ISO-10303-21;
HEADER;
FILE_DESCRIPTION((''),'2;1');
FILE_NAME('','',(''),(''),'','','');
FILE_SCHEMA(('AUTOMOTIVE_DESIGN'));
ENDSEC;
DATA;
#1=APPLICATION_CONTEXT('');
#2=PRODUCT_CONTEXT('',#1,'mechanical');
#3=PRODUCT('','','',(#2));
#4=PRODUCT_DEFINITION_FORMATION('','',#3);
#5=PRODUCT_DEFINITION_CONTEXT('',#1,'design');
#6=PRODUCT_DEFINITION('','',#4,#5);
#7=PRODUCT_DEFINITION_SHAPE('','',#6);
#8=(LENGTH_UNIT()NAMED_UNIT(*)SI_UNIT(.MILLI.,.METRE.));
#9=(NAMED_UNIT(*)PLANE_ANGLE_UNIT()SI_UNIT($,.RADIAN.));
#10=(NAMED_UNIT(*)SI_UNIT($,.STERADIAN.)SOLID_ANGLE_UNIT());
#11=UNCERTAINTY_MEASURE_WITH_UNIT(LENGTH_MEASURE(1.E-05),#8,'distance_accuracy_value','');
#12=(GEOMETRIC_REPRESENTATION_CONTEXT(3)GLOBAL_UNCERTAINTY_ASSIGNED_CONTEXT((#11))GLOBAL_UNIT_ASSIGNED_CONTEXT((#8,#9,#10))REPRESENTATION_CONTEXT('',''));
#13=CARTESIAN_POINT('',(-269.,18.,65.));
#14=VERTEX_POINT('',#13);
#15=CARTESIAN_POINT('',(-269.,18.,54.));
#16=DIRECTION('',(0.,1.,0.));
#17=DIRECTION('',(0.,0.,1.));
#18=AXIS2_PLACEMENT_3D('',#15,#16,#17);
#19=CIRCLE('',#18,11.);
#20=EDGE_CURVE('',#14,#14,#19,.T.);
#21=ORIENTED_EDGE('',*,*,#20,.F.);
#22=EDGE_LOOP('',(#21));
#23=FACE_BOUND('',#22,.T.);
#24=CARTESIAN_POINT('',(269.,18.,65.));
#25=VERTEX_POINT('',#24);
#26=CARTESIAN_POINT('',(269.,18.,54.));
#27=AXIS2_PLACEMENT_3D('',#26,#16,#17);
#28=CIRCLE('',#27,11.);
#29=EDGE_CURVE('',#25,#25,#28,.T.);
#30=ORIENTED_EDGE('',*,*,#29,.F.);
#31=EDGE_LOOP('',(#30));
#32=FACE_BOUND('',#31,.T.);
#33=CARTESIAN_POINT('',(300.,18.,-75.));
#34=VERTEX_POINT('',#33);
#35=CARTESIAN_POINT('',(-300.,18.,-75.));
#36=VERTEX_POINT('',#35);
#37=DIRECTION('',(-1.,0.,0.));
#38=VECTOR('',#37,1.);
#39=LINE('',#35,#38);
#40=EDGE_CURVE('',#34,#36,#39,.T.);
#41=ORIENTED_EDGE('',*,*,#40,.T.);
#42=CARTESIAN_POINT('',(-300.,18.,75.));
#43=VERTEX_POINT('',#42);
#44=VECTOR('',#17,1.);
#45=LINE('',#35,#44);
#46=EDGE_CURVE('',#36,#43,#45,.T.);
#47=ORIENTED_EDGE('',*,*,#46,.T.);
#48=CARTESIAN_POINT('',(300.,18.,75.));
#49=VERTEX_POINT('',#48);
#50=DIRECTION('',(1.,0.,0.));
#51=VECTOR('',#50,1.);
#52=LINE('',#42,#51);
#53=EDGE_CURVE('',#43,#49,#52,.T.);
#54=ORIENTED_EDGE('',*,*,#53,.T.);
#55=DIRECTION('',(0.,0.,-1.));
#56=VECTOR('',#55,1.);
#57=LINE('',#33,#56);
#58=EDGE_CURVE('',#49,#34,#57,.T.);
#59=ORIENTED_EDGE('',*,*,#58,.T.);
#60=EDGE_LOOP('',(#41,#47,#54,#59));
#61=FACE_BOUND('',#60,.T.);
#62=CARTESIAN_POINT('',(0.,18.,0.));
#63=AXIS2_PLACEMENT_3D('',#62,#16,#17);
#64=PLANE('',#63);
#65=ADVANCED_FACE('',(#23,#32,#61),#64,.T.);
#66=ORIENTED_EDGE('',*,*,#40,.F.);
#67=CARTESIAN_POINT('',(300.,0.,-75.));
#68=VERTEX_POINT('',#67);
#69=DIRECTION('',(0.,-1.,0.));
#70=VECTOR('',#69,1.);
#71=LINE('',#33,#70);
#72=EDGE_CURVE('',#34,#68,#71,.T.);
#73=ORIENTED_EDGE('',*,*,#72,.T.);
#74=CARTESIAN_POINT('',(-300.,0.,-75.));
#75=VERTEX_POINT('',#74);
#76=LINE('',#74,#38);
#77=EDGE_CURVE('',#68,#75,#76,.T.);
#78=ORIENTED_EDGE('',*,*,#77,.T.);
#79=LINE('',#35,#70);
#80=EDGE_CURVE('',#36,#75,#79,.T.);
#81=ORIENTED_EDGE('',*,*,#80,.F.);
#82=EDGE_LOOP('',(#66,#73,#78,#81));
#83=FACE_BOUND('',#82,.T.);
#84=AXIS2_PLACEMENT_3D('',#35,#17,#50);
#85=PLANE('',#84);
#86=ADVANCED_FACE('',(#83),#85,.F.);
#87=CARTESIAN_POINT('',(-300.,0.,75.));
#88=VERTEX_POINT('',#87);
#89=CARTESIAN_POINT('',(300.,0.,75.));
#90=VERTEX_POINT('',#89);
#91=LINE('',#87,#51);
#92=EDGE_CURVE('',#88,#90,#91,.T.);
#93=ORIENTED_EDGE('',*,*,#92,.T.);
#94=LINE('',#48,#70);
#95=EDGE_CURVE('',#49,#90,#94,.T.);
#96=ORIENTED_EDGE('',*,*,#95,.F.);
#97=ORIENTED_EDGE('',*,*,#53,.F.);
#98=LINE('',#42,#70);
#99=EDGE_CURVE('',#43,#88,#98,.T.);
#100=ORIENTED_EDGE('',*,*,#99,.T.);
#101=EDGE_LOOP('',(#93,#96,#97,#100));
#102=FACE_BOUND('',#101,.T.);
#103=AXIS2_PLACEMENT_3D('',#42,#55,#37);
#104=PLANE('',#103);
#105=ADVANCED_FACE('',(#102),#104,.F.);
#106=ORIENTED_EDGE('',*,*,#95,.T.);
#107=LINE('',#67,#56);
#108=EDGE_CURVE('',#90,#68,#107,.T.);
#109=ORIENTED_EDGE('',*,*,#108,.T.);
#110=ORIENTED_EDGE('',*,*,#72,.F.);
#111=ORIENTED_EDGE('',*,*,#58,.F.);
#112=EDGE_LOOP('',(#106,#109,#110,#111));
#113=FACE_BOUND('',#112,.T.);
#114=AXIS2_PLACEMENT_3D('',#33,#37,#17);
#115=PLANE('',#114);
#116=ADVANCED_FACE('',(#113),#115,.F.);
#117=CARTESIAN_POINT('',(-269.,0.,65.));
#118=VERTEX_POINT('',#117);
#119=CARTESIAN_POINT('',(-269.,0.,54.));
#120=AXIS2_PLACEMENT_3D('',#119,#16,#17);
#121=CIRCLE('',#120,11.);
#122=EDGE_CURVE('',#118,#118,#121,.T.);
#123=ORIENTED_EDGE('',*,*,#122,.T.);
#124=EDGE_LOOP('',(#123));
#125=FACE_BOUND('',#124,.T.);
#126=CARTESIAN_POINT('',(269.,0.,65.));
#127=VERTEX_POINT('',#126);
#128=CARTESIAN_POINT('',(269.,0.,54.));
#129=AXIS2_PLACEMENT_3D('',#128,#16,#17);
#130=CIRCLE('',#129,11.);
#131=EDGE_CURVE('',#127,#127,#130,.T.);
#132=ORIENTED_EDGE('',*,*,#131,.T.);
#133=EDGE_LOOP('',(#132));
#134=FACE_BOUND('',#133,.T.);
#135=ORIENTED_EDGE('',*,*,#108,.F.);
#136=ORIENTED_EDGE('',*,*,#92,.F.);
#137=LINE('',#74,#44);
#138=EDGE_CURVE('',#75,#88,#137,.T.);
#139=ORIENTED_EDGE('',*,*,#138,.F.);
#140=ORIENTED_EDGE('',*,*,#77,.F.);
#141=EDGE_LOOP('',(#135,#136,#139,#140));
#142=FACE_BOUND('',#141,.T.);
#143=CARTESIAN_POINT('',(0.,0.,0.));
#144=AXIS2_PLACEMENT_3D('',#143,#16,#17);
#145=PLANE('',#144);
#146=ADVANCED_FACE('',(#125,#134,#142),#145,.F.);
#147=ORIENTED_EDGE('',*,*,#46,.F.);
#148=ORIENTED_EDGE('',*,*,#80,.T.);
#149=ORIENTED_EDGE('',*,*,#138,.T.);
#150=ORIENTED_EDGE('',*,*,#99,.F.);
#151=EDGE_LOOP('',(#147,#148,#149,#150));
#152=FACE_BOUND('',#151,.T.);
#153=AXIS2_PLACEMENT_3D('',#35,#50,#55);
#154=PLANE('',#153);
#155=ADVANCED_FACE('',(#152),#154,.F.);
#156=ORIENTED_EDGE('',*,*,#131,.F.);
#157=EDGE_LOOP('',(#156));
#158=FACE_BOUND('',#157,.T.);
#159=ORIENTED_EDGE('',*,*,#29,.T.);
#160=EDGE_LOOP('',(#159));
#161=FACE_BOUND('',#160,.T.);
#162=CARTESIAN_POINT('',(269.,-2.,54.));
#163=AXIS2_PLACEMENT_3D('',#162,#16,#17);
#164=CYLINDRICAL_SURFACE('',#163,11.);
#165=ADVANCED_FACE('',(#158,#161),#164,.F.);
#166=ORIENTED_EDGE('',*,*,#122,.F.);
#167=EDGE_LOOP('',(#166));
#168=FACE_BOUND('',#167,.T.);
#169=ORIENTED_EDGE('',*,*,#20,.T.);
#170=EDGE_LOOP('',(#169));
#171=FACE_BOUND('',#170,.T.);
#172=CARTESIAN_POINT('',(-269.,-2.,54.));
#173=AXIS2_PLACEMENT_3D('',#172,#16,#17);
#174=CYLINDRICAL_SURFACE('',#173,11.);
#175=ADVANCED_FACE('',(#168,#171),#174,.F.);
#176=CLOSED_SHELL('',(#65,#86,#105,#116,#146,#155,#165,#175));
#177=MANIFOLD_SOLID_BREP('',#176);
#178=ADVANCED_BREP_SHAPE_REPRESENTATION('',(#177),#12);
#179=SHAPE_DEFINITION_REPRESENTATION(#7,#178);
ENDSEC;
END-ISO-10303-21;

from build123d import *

# Parameters (mm, degrees)
ESQUISSE1_W             = 600
ESQUISSE1_H             = 150
BOSS_EXTRU_1_DEPTH      = 18
ESQUISSE3_R             = 11
ENL_V_MAT_EXTRU_1_DEPTH = 20


with BuildPart() as part:
    # Esquisse1 → Boss.-Extru.1 (new body)
    with BuildSketch(Plane(origin=(0, 0, 0), x_dir=(1, 0, 0), z_dir=(0, 1, 0))):
        Rectangle(ESQUISSE1_W, ESQUISSE1_H)
    extrude(amount=BOSS_EXTRU_1_DEPTH)

    # Esquisse3 → Enlèv. mat.-Extru.1 (cut)
    with BuildSketch(Plane(origin=(0, 18, 0), x_dir=(1, 0, 0), z_dir=(0, 1, 0))):
        with Locations(Location((269, -54, 0), (0, 0, 270))):
            Circle(ESQUISSE3_R)
        with Locations(Location((-269, -54, 0), (0, 0, 270))):
            Circle(ESQUISSE3_R)
    extrude(amount=-ENL_V_MAT_EXTRU_1_DEPTH, mode=Mode.SUBTRACT)


solid = part.part
